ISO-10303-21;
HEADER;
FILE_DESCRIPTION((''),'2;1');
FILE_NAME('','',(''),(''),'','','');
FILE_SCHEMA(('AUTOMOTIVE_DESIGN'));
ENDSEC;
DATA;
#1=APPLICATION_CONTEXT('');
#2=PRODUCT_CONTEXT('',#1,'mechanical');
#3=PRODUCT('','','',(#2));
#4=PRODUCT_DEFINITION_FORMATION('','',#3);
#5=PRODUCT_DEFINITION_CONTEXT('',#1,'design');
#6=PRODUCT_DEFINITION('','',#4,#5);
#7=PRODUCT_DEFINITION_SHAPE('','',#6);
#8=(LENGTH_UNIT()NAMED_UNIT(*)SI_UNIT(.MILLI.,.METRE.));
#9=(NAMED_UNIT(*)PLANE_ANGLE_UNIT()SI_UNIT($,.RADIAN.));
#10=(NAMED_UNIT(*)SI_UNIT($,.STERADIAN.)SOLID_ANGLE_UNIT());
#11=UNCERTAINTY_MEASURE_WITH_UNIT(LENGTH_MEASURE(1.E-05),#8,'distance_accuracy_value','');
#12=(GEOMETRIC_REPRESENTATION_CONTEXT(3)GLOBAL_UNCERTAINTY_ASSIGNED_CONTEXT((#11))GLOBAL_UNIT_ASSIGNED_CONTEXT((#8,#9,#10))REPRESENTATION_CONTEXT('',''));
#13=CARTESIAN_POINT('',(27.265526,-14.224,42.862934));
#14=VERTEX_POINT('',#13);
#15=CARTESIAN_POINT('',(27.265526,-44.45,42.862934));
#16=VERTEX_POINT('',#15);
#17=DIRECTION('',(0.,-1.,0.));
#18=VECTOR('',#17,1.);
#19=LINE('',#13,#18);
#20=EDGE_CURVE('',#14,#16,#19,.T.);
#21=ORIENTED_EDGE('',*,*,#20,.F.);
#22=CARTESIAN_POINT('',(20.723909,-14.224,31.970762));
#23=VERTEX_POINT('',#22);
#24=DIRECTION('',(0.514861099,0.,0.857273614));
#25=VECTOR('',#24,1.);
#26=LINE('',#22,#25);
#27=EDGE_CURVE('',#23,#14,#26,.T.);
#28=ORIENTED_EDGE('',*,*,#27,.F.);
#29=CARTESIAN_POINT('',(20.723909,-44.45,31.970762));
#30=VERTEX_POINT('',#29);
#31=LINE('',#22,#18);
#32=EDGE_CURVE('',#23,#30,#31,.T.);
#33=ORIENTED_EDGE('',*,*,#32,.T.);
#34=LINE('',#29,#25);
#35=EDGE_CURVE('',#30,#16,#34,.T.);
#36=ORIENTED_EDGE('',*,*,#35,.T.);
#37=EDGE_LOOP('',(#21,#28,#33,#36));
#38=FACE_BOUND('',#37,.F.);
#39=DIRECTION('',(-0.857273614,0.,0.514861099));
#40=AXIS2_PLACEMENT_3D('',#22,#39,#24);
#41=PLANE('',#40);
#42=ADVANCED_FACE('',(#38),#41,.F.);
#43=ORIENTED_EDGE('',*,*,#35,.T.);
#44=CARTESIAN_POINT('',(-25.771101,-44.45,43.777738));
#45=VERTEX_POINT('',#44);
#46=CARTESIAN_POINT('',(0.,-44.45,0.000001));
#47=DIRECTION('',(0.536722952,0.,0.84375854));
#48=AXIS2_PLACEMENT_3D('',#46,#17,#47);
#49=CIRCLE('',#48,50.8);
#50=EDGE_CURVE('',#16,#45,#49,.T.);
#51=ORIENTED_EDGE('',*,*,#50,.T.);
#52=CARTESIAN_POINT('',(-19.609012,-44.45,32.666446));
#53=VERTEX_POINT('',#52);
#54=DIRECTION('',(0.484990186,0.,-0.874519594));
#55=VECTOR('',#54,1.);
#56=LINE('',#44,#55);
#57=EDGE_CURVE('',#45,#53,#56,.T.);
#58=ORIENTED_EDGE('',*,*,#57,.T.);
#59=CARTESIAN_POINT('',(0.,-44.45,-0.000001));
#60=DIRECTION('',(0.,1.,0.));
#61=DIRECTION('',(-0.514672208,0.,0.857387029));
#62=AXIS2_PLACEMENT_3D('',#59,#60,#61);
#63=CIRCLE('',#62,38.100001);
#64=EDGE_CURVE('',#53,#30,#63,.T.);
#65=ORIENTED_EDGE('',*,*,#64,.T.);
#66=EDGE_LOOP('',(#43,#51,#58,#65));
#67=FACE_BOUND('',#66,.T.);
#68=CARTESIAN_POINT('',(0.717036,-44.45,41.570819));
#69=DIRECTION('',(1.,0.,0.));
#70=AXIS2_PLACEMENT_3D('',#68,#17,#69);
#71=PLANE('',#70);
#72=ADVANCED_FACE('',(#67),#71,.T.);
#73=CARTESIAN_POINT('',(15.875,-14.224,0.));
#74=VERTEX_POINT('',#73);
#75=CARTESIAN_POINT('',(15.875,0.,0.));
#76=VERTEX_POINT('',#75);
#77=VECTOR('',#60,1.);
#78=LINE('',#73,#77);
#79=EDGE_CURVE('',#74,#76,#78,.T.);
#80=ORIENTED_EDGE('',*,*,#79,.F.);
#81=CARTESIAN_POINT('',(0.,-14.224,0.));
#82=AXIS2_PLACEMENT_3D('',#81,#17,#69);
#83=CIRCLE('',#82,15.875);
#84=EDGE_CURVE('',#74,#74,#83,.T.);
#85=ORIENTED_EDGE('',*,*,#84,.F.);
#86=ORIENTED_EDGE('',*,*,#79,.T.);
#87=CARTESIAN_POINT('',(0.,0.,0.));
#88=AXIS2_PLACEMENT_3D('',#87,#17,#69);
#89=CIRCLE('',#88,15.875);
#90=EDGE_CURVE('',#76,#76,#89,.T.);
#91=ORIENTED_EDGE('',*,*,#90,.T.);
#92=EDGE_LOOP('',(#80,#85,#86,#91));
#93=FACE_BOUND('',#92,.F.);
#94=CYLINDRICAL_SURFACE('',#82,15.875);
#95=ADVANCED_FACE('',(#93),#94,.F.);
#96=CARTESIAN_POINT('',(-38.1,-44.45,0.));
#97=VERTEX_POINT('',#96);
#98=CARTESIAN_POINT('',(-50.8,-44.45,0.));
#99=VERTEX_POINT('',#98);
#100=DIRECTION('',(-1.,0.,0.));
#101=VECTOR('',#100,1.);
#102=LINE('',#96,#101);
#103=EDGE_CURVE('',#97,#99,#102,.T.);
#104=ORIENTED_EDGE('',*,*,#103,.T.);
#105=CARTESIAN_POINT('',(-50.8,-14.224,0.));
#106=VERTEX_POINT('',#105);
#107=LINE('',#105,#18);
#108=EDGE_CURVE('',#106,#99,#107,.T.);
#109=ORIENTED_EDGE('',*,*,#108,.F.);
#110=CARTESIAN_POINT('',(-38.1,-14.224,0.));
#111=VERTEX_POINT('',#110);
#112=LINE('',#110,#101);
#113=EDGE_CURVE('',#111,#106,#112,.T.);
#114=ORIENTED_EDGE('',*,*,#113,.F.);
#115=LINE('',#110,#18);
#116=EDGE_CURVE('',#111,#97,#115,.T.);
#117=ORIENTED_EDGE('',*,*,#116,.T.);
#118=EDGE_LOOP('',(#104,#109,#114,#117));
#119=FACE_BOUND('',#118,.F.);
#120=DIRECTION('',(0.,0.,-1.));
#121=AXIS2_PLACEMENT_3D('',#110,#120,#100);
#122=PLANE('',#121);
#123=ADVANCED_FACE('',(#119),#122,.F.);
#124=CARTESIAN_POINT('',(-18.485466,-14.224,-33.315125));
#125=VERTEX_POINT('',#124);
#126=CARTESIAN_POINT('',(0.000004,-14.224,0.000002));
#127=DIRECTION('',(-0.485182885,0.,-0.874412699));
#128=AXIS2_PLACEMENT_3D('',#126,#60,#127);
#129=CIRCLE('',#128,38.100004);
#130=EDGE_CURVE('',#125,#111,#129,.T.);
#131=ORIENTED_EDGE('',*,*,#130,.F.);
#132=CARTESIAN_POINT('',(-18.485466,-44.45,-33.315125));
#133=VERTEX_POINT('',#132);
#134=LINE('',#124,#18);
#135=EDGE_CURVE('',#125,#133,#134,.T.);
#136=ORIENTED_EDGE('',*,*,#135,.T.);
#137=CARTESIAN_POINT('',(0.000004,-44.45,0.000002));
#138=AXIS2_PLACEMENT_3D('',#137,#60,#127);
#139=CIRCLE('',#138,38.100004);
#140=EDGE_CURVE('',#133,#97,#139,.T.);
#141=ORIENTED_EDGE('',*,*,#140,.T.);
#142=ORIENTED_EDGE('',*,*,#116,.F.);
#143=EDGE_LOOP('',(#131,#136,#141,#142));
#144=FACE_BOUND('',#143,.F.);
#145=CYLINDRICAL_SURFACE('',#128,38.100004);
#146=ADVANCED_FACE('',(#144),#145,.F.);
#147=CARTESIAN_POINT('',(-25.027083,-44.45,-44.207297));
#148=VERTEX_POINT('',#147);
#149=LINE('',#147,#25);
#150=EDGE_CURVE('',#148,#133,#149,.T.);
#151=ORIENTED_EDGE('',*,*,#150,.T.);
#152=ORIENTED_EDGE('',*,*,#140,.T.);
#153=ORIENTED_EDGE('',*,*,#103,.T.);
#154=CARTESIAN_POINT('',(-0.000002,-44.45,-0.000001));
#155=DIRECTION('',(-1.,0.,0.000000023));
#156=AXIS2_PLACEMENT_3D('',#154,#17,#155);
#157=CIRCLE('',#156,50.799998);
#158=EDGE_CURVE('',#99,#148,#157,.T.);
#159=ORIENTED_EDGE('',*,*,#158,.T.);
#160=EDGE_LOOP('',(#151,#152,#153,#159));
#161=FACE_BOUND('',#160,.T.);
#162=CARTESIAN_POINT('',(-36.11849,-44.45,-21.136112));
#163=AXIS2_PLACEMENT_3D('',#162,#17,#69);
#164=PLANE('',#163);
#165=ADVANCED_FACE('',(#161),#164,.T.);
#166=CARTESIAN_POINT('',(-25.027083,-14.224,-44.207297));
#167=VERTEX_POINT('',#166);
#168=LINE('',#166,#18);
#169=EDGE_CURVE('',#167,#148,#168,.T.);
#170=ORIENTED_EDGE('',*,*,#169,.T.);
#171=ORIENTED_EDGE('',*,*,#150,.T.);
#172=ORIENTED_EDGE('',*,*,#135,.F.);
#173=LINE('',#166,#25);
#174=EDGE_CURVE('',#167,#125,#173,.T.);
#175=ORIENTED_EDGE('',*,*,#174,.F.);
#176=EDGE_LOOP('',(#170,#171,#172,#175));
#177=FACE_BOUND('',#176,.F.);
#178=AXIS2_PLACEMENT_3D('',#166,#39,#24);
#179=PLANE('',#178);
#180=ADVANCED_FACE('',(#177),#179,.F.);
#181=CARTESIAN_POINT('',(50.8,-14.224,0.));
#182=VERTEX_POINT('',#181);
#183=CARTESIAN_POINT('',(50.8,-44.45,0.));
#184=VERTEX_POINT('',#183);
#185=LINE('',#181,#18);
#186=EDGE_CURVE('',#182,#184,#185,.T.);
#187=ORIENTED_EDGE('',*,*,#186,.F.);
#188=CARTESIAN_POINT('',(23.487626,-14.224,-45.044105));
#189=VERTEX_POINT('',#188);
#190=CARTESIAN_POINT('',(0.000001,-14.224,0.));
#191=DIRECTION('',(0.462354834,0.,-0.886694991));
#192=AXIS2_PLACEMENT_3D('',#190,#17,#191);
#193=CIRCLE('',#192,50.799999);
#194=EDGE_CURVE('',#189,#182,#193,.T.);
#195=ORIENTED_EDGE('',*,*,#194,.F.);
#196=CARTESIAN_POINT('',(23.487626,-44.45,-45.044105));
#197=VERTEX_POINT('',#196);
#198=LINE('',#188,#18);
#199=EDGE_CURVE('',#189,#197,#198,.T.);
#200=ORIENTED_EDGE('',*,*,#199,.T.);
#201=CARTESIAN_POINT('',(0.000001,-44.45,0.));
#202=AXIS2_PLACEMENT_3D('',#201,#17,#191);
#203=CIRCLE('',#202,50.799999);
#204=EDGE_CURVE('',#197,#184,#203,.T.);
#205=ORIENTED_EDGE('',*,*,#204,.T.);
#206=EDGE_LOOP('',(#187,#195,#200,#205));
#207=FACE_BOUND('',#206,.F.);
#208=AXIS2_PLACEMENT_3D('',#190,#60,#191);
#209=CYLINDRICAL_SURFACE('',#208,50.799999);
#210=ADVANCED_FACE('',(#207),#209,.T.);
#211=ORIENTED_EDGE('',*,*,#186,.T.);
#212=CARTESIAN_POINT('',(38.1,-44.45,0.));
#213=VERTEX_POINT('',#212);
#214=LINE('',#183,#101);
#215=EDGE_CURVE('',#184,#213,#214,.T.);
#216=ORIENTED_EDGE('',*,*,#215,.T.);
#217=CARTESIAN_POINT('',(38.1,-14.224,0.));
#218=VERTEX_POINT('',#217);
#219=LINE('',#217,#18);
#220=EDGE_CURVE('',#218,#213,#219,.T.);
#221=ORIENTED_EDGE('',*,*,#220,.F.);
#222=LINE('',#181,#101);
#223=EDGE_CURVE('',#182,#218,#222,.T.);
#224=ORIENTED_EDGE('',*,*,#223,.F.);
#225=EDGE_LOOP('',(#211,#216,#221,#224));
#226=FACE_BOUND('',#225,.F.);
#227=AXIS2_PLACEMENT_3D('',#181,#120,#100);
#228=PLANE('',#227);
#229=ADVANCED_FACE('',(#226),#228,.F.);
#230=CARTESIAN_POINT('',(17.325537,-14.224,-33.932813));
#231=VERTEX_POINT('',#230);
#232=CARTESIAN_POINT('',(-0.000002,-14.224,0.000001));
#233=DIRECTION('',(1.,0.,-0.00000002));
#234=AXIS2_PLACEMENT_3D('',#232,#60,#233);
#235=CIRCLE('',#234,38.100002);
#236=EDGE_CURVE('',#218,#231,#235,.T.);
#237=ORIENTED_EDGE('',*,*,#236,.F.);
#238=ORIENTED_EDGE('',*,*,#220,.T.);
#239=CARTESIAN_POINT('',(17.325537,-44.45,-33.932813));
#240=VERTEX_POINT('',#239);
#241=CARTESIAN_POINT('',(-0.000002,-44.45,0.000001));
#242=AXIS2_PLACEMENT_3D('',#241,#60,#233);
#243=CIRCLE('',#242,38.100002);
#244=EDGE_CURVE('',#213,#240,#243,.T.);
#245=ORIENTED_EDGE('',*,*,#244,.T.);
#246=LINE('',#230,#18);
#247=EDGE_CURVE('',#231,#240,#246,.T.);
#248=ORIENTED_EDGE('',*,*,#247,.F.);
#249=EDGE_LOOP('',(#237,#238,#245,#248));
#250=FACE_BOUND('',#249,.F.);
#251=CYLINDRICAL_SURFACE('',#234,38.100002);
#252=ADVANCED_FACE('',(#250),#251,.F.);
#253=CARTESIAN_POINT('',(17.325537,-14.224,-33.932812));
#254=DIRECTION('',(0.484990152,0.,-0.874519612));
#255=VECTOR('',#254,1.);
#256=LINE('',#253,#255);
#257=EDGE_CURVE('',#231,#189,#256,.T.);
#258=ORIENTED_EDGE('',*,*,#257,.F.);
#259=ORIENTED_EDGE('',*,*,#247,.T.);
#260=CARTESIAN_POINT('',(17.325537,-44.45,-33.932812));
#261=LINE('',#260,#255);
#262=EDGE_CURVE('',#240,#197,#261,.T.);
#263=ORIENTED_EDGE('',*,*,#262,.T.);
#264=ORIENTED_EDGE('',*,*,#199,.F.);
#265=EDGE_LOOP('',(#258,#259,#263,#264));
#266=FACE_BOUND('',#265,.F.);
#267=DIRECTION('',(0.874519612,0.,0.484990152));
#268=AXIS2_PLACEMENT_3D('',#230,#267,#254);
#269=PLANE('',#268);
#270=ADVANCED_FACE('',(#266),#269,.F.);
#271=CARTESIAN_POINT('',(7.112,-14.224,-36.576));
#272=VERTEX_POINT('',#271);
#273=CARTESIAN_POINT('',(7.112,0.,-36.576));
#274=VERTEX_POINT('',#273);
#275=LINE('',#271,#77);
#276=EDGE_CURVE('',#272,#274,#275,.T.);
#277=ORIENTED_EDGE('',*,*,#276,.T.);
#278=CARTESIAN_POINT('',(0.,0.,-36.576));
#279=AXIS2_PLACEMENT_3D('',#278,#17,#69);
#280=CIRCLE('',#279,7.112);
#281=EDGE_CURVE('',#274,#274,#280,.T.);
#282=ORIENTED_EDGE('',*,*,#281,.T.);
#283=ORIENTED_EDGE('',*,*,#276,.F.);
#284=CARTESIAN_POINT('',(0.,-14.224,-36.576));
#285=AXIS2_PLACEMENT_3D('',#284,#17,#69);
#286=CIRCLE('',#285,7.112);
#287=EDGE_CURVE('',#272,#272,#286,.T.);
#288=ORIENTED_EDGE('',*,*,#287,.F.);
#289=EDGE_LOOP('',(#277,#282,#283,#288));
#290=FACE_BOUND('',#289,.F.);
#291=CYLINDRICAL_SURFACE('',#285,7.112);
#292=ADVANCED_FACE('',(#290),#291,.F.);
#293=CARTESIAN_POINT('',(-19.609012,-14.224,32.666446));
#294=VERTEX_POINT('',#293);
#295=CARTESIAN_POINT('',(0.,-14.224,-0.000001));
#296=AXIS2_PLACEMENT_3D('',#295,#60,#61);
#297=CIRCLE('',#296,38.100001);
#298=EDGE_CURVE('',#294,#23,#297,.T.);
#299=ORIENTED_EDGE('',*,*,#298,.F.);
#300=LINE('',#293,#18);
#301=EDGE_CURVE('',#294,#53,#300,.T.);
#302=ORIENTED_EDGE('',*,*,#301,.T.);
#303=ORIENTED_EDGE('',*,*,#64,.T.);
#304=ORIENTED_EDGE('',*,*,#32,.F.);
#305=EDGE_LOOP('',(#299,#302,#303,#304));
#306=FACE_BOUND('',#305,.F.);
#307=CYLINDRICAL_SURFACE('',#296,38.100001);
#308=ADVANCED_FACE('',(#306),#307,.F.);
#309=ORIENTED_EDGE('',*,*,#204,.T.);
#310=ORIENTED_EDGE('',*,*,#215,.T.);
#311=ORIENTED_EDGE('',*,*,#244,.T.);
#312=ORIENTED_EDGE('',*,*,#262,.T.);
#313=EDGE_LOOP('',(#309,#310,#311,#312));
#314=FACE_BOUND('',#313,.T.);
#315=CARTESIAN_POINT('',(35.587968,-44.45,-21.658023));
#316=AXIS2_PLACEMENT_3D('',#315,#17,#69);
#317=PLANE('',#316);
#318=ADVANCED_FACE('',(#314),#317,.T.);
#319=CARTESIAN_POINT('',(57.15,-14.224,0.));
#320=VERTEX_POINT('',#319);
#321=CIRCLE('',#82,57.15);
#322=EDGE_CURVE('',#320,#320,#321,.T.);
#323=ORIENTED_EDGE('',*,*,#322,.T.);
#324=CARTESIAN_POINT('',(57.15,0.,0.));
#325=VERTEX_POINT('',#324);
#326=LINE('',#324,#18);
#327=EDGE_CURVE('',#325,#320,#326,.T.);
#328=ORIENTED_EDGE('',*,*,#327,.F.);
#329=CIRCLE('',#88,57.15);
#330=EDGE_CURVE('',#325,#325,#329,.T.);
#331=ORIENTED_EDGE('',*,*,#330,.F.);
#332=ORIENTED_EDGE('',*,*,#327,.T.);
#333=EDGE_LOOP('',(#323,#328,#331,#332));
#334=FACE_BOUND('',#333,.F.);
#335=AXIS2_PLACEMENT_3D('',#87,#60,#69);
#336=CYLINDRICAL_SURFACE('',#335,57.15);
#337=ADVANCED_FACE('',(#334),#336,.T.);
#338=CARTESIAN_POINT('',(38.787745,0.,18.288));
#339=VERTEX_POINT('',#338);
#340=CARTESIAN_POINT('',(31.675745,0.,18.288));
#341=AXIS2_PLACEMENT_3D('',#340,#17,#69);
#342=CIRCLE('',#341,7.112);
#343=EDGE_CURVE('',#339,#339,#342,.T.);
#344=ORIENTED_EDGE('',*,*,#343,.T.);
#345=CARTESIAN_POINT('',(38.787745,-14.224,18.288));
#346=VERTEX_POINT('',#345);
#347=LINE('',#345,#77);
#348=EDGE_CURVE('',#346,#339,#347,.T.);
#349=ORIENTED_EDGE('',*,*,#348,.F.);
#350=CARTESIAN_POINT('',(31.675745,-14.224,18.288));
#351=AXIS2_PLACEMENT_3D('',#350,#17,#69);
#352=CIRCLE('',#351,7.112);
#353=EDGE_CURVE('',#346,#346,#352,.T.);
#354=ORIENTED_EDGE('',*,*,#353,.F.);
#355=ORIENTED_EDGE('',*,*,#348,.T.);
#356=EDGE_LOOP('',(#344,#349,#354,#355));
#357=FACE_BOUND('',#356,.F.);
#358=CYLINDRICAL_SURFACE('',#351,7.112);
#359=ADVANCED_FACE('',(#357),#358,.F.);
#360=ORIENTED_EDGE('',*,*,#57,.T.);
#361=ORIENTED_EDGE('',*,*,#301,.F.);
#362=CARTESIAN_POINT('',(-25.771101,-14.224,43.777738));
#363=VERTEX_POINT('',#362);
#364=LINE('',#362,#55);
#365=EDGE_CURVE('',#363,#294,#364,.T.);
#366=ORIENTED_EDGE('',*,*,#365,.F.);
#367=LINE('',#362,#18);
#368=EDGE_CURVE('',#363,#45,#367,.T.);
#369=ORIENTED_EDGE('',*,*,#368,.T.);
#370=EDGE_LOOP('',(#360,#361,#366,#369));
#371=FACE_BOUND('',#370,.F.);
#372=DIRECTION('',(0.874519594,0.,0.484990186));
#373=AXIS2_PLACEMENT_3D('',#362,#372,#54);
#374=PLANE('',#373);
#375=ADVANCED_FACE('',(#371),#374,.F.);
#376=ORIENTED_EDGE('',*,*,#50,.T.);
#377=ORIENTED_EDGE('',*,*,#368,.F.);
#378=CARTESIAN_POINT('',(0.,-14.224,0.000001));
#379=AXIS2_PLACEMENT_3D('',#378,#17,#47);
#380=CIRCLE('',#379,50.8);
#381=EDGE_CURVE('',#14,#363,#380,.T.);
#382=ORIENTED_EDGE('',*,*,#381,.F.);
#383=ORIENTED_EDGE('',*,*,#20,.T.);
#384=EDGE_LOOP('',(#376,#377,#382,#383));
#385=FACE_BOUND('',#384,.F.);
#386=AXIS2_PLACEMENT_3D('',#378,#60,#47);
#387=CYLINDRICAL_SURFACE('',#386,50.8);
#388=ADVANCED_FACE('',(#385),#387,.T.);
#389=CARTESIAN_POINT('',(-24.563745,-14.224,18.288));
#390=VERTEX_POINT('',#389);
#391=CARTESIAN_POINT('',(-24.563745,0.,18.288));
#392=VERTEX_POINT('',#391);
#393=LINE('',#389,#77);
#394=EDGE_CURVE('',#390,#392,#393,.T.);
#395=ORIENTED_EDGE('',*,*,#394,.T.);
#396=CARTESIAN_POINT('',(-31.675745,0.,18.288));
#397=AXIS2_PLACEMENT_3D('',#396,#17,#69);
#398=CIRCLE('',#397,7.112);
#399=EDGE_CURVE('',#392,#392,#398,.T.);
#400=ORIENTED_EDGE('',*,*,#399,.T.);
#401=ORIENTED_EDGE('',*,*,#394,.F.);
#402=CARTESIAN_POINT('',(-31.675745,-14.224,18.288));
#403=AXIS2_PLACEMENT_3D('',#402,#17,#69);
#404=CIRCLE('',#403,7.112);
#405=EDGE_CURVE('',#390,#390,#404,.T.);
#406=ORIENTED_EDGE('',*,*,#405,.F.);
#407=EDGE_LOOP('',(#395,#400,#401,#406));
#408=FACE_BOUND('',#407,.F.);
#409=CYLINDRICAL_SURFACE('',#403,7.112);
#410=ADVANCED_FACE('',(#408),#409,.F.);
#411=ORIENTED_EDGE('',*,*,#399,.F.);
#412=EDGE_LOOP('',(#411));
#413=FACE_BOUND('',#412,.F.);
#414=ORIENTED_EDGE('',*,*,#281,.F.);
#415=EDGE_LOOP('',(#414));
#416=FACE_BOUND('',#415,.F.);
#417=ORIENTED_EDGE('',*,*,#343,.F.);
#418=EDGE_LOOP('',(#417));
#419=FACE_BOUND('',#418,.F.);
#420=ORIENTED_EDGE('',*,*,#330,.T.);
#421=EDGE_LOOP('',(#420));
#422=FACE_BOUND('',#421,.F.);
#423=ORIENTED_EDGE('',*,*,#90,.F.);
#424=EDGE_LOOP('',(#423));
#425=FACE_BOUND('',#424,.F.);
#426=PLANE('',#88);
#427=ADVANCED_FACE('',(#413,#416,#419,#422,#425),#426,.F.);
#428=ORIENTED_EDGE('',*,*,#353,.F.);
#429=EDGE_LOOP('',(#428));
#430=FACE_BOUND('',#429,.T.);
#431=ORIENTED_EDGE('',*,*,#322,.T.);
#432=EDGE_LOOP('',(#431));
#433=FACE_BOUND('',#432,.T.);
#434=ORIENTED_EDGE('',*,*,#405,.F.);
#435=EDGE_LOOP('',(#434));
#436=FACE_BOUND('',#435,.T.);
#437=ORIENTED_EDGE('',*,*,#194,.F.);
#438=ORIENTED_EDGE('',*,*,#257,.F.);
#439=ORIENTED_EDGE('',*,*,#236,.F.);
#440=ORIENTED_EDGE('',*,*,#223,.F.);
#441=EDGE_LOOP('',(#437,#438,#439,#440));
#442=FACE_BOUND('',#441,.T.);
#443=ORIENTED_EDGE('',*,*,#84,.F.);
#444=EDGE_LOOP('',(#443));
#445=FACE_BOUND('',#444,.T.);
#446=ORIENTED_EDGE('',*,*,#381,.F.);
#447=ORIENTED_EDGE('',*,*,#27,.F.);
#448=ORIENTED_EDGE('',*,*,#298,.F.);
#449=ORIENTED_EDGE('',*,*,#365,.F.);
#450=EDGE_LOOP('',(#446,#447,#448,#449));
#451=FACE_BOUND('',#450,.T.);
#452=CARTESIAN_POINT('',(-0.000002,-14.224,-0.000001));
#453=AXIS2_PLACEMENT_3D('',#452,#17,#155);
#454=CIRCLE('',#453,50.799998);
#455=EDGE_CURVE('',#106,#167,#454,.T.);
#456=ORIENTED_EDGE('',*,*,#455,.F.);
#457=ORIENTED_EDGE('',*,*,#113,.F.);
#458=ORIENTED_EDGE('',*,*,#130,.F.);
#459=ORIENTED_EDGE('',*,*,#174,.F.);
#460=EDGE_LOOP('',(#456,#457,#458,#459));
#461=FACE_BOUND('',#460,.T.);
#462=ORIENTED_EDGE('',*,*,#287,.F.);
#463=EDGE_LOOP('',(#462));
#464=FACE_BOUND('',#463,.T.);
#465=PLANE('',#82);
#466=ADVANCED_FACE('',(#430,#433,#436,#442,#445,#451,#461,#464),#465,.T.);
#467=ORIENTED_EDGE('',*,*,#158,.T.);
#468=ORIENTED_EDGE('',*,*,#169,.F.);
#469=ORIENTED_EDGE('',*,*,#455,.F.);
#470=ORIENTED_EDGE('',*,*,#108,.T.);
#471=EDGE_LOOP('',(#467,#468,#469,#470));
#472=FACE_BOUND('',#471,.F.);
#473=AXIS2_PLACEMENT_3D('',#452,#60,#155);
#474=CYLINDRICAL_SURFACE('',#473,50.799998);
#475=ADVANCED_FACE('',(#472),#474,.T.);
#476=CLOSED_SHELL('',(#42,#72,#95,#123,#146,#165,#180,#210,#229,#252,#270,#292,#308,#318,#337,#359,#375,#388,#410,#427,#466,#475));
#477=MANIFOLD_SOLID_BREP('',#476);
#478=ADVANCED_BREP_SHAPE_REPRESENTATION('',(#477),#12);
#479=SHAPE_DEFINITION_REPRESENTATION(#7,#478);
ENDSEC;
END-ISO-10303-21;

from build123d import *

# Parameters (mm, degrees)
F0_R     = 57.15
F1_DEPTH = 14.224
F2_R     = 15.875
F3_DEPTH = 14.225
F4_R     = 7.112
F5_DEPTH = 14.225
F7_DEPTH = 30.226


with BuildPart() as f1:
    # F0 (on Front) → F1 (new body)
    with BuildSketch(Plane.XZ):
        Circle(F0_R)
    extrude(amount=F1_DEPTH)

    # F2 (on face) → F3 (cut, through all)
    with BuildSketch(Plane.XZ.offset(14.224)):
        Circle(F2_R)
    extrude(amount=-F3_DEPTH, mode=Mode.SUBTRACT)

    # F4 (on face) → F5 (cut, through all)
    with BuildSketch(Plane.XZ.offset(14.224)):
        with Locations((0, -36.576)):
            Circle(F4_R)
        with Locations((31.675745, 18.288)):
            Circle(F4_R)
        with Locations((-31.675745, 18.288)):
            Circle(F4_R)
    extrude(amount=-F5_DEPTH, mode=Mode.SUBTRACT)

    # F6 (on face) → F7 (join)
    with BuildSketch(Plane.XZ.offset(14.224)):
        with BuildLine():
            ThreePointArc((-18.485466, -33.315125), (-32.832196, -19.330206), (-38.1, 0))
            Line((-38.1, 0), (-50.8, 0))
            ThreePointArc((-50.8, 0), (-43.886307, -25.585779), (-25.027083, -44.207297))
            Line((-25.027083, -44.207297), (-18.485466, -33.315125))
        make_face()
        with BuildLine():
            Line((50.8, 0), (38.1, 0))
            ThreePointArc((38.1, 0), (32.493945, -19.893555), (17.325537, -33.932813))
            Line((17.325537, -33.932812), (23.487626, -45.044105))
            ThreePointArc((23.487626, -45.044105), (43.438528, -26.338836), (50.8, 0))
        make_face()
        with BuildLine():
            Line((20.723909, 31.970762), (27.265526, 42.862934))
            ThreePointArc((27.265526, 42.862934), (0.876096, 50.792445), (-25.771101, 43.777738))
            Line((-25.771101, 43.777738), (-19.609012, 32.666446))
            ThreePointArc((-19.609012, 32.666446), (0.657072, 38.094334), (20.723909, 31.970762))
        make_face()
    extrude(amount=F7_DEPTH)


solid = f1.part
